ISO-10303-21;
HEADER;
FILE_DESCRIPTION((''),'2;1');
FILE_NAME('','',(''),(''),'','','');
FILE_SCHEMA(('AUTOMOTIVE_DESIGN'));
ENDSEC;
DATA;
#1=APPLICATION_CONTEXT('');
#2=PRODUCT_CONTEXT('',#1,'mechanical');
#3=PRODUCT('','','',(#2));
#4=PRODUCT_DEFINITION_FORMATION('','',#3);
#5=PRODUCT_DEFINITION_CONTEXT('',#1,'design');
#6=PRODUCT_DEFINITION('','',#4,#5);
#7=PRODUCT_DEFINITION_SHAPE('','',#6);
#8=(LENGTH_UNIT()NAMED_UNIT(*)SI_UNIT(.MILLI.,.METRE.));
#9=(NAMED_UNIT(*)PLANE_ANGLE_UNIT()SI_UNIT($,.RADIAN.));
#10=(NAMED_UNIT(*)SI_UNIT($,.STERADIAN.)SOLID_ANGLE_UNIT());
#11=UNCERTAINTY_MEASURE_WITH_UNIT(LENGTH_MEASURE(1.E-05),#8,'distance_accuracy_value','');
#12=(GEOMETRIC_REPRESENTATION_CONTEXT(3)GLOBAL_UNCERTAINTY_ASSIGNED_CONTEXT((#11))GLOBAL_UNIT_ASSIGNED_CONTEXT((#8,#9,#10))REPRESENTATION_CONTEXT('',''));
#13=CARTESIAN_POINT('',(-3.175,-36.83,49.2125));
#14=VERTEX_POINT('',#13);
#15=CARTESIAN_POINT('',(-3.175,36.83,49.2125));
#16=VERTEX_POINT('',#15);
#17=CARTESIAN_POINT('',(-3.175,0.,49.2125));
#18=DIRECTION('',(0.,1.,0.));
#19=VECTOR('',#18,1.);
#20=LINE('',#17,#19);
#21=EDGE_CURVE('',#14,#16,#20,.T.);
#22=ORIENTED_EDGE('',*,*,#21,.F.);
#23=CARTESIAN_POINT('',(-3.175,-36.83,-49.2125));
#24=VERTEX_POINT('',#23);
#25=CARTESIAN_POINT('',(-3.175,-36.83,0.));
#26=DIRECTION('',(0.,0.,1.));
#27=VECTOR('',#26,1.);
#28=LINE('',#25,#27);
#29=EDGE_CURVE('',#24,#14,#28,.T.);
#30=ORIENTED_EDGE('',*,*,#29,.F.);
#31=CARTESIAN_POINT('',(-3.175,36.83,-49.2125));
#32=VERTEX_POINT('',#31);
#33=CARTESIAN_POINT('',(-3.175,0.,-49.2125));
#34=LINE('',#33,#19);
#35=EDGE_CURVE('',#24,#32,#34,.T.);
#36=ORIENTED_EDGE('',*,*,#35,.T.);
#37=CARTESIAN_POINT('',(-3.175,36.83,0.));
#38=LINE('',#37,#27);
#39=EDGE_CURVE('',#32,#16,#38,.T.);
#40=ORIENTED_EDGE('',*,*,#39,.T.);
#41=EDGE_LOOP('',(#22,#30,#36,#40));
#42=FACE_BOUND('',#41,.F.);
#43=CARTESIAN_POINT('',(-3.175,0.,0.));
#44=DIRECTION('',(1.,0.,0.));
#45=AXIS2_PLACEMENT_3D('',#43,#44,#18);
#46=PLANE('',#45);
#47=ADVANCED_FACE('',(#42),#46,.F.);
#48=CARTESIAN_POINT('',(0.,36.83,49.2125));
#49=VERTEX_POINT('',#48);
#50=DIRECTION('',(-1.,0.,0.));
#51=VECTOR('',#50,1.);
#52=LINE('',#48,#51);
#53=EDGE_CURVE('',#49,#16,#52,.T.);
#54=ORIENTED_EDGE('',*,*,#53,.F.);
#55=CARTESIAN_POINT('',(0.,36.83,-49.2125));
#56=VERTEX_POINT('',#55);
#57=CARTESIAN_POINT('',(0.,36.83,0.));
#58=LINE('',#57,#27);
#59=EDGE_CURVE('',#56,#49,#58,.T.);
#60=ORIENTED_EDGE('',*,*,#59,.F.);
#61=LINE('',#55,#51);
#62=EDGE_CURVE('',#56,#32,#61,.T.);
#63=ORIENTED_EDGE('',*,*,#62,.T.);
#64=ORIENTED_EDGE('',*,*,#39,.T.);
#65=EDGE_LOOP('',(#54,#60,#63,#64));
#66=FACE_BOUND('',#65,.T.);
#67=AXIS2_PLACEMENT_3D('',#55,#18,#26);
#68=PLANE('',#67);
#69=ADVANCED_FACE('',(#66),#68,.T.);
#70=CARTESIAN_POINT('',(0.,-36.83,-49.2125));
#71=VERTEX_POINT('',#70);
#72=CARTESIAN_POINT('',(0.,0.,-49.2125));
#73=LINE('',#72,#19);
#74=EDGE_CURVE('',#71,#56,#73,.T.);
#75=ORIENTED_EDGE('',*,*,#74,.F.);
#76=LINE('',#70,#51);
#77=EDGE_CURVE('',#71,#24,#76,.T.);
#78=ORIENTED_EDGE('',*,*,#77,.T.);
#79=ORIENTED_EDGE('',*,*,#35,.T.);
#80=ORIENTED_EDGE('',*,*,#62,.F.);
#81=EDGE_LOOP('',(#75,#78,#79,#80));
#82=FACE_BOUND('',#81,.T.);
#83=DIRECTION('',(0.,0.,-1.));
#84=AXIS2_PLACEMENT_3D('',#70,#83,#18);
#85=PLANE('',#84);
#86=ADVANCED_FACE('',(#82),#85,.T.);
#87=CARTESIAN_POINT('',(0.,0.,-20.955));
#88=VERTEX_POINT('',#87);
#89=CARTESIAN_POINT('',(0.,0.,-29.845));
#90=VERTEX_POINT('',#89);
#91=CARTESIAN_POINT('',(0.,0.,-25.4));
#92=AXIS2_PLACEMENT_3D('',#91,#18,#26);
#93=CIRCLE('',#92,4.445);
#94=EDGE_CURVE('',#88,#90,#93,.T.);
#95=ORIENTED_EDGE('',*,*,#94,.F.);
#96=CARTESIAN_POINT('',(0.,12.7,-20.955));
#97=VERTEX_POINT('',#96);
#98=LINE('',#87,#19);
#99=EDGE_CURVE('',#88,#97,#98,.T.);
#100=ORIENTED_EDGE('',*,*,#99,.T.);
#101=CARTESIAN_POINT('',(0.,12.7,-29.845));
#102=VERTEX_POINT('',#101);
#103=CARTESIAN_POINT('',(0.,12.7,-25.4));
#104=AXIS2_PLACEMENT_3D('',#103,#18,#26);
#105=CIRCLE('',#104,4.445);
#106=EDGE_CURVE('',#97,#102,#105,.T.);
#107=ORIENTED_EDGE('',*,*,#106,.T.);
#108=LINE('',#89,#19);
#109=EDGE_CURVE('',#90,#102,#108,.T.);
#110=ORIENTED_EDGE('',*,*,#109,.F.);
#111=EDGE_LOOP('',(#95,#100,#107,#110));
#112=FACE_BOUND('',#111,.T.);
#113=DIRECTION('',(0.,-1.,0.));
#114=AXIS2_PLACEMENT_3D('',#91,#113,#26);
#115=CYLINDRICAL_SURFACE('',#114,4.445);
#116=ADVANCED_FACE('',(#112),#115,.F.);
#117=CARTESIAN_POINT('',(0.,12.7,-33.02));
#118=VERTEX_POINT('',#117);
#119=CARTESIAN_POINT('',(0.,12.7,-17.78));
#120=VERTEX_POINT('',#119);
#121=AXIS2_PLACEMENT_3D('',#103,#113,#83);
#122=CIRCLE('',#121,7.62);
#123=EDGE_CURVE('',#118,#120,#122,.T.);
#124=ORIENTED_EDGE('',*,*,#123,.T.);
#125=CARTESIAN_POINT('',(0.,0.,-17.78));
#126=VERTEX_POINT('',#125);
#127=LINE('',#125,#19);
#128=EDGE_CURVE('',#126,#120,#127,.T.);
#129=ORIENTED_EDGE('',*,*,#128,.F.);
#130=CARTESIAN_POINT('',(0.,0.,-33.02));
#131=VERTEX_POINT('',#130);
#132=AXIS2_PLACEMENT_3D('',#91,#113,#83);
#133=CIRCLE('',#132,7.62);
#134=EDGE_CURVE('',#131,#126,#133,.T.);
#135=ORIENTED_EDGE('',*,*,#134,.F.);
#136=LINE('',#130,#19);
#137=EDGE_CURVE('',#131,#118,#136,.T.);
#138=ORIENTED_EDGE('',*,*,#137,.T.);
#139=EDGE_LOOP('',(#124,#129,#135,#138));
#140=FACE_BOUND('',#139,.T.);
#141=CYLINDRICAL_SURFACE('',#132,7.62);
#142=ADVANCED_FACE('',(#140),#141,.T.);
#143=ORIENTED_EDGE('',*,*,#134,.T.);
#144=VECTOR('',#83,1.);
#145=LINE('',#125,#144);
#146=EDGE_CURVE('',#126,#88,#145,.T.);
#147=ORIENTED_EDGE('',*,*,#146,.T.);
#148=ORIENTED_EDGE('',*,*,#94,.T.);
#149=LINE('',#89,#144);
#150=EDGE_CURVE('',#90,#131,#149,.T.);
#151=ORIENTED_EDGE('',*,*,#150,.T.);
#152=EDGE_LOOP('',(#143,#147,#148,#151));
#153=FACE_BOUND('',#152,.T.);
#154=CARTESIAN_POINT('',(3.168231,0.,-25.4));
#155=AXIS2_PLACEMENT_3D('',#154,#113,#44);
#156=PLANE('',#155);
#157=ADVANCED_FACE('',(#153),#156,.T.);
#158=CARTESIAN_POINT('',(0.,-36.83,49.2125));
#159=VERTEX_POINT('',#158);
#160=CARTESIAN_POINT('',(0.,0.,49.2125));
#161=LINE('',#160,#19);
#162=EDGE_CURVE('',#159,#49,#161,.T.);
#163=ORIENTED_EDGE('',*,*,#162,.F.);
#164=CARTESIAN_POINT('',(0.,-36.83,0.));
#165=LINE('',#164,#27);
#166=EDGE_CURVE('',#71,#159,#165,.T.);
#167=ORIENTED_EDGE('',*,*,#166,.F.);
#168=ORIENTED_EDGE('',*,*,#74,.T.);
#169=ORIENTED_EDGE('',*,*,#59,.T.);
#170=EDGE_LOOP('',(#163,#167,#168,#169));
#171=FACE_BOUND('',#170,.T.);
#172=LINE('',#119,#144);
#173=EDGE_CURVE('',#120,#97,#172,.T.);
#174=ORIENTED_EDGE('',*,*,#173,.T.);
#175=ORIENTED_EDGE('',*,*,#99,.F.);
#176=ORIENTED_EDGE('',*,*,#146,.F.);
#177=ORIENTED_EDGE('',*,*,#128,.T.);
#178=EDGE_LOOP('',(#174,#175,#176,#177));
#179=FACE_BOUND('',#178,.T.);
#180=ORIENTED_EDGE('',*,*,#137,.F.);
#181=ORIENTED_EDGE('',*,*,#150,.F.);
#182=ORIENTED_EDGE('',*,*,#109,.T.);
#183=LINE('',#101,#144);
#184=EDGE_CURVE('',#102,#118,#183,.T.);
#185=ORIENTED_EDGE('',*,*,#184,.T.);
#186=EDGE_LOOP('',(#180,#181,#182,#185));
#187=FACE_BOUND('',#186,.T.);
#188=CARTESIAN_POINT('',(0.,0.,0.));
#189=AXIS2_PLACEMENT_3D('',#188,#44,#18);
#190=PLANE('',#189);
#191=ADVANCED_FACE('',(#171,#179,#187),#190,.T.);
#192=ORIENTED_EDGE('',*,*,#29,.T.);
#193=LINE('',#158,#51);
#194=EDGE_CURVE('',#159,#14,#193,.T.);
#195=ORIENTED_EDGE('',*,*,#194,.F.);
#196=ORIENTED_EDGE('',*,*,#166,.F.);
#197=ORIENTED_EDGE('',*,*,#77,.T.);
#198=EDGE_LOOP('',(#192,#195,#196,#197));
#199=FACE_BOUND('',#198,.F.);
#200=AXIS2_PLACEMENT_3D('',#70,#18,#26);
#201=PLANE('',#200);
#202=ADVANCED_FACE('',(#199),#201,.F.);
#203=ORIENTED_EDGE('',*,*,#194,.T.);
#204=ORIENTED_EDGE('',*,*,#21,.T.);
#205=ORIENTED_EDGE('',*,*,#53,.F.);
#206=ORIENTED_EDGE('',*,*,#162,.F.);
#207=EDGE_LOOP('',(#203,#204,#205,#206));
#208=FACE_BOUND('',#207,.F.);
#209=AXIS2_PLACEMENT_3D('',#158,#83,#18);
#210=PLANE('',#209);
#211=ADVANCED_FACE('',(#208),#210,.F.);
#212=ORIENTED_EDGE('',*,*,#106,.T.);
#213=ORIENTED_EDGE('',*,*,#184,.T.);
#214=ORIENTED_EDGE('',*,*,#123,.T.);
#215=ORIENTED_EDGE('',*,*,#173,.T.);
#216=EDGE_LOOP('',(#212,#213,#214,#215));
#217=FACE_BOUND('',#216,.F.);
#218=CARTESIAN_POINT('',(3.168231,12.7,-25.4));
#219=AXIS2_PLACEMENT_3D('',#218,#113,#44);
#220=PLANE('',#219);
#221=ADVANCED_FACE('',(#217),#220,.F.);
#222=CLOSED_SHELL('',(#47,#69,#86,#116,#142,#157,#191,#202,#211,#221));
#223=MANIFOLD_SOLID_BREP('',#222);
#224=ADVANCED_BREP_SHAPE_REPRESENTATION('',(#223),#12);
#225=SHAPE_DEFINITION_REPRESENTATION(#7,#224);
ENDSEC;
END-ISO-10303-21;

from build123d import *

# Parameters (mm, degrees)
F0_W     = 73.66
F0_H     = 98.425
F1_DEPTH = 3.175
F3_DEPTH = 12.7


with BuildPart() as f1:
    # F0 (on Right) → F1 (new body)
    with BuildSketch(Plane.YZ):
        Rectangle(F0_W, F0_H)
    extrude(amount=-F1_DEPTH)

    # F2 (on Front) → F3 (join)
    with BuildSketch(Plane.XZ):
        with BuildLine():
            Line((0, -29.845), (0, -33.02))
            ThreePointArc((0, -33.02), (7.62, -25.4), (0, -17.78))
            Line((0, -17.78), (0, -20.955))
            ThreePointArc((0, -20.955), (4.445, -25.4), (0, -29.845))
        make_face()
    extrude(amount=-F3_DEPTH)


solid = f1.part
